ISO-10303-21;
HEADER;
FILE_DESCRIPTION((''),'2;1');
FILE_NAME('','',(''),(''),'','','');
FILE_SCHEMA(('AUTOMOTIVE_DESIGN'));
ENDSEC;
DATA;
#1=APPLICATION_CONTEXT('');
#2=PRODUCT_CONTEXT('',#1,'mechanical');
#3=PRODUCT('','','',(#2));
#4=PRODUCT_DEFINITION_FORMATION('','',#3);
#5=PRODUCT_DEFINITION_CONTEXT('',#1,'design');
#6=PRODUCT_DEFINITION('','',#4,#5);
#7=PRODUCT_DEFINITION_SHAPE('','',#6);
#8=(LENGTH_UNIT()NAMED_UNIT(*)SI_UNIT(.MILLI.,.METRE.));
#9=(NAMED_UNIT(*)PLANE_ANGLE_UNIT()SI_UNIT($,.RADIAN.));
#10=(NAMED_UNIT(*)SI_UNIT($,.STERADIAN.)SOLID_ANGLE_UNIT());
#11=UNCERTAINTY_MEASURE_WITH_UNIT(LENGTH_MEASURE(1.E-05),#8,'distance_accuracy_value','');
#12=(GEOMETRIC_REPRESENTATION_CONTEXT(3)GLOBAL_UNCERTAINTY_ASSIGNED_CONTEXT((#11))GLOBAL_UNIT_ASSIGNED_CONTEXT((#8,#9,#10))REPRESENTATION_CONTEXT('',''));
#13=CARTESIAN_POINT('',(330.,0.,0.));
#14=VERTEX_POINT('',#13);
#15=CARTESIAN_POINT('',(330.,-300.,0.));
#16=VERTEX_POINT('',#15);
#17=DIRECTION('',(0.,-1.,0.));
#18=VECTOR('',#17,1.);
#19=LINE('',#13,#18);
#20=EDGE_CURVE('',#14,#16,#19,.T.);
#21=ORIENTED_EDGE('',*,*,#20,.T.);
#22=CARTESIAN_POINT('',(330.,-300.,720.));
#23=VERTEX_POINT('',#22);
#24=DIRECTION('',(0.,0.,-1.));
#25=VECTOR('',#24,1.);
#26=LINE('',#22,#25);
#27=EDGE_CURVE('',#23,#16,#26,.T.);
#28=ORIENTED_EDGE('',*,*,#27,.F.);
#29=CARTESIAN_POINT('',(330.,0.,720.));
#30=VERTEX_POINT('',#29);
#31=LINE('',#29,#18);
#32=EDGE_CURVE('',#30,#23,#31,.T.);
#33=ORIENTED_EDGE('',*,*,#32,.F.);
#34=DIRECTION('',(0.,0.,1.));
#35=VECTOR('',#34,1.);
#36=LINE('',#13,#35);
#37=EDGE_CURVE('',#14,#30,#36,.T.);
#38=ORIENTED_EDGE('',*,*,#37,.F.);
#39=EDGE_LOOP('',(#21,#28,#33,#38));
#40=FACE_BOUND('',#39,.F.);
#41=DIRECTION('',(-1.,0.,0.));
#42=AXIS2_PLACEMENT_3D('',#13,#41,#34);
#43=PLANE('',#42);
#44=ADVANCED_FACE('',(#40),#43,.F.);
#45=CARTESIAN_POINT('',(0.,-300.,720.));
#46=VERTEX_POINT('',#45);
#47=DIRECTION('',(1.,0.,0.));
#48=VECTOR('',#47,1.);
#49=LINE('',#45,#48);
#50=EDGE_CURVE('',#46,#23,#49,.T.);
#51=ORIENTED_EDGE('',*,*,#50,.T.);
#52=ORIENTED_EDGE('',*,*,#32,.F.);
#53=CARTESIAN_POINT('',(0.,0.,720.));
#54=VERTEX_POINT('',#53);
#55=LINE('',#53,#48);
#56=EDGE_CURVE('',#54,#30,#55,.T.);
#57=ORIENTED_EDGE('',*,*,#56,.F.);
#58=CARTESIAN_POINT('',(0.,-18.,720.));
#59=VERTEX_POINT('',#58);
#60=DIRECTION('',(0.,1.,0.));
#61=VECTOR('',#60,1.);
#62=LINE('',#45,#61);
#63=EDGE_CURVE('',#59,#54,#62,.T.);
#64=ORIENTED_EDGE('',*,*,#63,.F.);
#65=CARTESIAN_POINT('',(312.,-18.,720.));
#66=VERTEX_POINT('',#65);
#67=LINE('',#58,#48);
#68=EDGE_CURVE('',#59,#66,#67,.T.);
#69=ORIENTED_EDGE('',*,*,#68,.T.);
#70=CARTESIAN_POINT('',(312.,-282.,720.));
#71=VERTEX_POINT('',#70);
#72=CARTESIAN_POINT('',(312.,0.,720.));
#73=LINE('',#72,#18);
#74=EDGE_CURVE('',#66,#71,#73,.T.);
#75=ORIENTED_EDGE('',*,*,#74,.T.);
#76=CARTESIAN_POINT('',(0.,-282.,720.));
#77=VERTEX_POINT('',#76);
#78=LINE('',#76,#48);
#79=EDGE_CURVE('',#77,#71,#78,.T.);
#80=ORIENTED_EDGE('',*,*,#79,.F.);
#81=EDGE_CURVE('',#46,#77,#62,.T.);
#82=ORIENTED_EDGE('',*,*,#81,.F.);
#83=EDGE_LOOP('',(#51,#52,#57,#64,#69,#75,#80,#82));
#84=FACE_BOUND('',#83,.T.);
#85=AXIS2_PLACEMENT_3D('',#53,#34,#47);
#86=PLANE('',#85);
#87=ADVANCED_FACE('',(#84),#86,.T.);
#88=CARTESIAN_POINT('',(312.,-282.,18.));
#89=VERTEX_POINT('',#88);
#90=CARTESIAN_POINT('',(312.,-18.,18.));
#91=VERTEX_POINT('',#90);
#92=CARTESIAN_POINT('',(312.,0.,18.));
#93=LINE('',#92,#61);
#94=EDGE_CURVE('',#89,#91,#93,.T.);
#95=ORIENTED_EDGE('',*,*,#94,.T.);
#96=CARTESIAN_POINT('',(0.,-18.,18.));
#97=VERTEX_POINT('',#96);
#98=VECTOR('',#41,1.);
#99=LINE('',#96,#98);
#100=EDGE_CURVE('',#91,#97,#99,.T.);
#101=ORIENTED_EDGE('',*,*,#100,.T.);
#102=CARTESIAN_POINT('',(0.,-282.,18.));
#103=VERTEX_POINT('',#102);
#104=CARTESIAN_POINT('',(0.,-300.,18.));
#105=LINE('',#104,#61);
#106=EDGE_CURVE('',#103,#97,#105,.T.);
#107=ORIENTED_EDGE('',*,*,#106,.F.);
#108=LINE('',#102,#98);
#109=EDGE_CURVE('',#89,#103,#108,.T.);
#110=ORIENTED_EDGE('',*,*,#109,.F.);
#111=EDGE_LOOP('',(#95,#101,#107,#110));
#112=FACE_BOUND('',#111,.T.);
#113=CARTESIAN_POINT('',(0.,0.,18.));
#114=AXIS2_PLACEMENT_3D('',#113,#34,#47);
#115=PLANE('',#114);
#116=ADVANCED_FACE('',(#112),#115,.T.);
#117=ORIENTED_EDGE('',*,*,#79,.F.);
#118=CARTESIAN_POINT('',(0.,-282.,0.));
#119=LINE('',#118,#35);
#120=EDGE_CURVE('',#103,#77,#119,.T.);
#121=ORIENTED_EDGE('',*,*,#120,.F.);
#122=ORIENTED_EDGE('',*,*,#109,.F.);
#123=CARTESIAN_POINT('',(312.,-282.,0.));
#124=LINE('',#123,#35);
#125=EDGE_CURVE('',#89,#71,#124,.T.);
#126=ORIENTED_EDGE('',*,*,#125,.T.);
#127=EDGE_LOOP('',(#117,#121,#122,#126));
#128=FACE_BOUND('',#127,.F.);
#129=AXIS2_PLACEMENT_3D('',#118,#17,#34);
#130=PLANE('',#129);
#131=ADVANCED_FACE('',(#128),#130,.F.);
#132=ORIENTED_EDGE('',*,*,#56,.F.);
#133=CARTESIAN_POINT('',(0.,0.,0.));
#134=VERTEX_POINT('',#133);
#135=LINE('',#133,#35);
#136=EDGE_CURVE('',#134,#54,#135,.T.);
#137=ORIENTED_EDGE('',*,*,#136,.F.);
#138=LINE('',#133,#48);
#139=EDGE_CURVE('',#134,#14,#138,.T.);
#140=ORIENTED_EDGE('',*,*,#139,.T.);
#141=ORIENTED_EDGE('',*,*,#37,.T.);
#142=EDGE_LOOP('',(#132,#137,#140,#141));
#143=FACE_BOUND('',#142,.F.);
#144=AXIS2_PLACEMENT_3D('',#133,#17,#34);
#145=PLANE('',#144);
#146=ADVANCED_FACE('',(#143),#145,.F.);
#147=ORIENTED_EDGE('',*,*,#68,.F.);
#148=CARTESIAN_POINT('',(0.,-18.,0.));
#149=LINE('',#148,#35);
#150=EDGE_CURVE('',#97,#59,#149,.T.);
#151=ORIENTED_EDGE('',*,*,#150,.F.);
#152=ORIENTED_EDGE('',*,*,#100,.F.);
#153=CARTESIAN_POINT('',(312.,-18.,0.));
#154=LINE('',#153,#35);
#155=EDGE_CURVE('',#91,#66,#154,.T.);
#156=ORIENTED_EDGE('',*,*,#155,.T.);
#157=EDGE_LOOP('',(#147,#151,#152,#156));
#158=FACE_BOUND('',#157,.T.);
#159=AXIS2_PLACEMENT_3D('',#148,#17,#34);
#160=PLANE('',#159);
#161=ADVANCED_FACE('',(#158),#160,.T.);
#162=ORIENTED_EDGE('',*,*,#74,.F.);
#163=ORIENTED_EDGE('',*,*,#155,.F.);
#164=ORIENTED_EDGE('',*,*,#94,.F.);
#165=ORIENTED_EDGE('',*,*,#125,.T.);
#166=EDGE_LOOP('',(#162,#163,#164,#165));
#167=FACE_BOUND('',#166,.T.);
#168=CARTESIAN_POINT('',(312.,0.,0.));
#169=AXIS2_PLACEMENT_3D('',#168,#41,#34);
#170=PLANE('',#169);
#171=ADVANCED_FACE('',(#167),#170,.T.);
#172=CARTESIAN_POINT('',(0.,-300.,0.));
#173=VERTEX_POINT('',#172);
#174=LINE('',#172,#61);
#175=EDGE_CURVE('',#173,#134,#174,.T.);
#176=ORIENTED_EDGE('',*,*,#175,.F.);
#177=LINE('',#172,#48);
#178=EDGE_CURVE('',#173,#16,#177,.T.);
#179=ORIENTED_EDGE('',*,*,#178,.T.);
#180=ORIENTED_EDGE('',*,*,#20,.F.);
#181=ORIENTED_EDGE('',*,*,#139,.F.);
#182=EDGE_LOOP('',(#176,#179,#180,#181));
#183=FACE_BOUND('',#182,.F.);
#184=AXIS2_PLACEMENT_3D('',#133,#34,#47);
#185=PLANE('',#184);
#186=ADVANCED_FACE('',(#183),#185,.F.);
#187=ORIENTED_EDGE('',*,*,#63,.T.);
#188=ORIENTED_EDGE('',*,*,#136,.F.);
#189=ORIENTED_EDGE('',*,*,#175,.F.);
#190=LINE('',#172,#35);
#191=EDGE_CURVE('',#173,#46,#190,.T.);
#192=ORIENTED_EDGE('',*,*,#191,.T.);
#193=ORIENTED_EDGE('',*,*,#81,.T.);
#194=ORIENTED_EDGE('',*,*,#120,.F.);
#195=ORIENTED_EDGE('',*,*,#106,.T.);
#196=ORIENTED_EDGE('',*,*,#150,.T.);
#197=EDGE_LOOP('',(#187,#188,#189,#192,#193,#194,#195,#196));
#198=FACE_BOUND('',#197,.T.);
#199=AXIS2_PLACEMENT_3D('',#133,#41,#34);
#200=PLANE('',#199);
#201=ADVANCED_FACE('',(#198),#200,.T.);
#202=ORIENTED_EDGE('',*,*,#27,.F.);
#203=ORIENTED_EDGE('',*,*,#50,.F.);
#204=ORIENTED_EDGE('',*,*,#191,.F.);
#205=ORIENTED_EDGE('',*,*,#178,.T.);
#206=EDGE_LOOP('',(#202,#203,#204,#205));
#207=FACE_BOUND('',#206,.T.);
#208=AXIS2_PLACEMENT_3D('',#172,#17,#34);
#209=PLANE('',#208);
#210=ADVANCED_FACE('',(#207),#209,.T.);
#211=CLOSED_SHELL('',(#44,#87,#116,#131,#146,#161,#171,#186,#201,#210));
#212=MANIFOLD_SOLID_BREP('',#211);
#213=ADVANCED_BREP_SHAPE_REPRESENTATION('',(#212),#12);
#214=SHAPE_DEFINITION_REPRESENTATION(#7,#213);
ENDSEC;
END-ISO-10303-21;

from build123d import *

# Parameters (mm, degrees)
F0_W     = 42.1406924725
F0_H     = 37.6295819879
F1_DEPTH = 330
F2_DEPTH = 300
F3_DEPTH = 720
F4_T     = -18


with BuildPart() as f1:
    # F0 (on Right) → F1 (new body)
    with BuildSketch(Plane.YZ):
        with Locations((-21.0703462362, 18.8147909939)):
            Rectangle(F0_W, F0_H)
    extrude(amount=F1_DEPTH)

    # F2 (add): a face of the model
    f2_faces = [f1.faces().sort_by_distance(p)[0] for p in [
        (165, 0, 18.8147909939),
    ]]
    extrude(f2_faces, amount=-F2_DEPTH)

    # F3 (add): a face of the model
    f3_faces = [f1.faces().sort_by_distance(p)[0] for p in [
        (165, -150, 0),
    ]]
    extrude(f3_faces, amount=-F3_DEPTH)

    # F4
    f4_openings = [f1.faces().sort_by_distance(p)[0] for p in [
        (0, -150, 360),
        (165, -150, 720),
    ]]
    offset(amount=F4_T, openings=f4_openings)


solid = f1.part
